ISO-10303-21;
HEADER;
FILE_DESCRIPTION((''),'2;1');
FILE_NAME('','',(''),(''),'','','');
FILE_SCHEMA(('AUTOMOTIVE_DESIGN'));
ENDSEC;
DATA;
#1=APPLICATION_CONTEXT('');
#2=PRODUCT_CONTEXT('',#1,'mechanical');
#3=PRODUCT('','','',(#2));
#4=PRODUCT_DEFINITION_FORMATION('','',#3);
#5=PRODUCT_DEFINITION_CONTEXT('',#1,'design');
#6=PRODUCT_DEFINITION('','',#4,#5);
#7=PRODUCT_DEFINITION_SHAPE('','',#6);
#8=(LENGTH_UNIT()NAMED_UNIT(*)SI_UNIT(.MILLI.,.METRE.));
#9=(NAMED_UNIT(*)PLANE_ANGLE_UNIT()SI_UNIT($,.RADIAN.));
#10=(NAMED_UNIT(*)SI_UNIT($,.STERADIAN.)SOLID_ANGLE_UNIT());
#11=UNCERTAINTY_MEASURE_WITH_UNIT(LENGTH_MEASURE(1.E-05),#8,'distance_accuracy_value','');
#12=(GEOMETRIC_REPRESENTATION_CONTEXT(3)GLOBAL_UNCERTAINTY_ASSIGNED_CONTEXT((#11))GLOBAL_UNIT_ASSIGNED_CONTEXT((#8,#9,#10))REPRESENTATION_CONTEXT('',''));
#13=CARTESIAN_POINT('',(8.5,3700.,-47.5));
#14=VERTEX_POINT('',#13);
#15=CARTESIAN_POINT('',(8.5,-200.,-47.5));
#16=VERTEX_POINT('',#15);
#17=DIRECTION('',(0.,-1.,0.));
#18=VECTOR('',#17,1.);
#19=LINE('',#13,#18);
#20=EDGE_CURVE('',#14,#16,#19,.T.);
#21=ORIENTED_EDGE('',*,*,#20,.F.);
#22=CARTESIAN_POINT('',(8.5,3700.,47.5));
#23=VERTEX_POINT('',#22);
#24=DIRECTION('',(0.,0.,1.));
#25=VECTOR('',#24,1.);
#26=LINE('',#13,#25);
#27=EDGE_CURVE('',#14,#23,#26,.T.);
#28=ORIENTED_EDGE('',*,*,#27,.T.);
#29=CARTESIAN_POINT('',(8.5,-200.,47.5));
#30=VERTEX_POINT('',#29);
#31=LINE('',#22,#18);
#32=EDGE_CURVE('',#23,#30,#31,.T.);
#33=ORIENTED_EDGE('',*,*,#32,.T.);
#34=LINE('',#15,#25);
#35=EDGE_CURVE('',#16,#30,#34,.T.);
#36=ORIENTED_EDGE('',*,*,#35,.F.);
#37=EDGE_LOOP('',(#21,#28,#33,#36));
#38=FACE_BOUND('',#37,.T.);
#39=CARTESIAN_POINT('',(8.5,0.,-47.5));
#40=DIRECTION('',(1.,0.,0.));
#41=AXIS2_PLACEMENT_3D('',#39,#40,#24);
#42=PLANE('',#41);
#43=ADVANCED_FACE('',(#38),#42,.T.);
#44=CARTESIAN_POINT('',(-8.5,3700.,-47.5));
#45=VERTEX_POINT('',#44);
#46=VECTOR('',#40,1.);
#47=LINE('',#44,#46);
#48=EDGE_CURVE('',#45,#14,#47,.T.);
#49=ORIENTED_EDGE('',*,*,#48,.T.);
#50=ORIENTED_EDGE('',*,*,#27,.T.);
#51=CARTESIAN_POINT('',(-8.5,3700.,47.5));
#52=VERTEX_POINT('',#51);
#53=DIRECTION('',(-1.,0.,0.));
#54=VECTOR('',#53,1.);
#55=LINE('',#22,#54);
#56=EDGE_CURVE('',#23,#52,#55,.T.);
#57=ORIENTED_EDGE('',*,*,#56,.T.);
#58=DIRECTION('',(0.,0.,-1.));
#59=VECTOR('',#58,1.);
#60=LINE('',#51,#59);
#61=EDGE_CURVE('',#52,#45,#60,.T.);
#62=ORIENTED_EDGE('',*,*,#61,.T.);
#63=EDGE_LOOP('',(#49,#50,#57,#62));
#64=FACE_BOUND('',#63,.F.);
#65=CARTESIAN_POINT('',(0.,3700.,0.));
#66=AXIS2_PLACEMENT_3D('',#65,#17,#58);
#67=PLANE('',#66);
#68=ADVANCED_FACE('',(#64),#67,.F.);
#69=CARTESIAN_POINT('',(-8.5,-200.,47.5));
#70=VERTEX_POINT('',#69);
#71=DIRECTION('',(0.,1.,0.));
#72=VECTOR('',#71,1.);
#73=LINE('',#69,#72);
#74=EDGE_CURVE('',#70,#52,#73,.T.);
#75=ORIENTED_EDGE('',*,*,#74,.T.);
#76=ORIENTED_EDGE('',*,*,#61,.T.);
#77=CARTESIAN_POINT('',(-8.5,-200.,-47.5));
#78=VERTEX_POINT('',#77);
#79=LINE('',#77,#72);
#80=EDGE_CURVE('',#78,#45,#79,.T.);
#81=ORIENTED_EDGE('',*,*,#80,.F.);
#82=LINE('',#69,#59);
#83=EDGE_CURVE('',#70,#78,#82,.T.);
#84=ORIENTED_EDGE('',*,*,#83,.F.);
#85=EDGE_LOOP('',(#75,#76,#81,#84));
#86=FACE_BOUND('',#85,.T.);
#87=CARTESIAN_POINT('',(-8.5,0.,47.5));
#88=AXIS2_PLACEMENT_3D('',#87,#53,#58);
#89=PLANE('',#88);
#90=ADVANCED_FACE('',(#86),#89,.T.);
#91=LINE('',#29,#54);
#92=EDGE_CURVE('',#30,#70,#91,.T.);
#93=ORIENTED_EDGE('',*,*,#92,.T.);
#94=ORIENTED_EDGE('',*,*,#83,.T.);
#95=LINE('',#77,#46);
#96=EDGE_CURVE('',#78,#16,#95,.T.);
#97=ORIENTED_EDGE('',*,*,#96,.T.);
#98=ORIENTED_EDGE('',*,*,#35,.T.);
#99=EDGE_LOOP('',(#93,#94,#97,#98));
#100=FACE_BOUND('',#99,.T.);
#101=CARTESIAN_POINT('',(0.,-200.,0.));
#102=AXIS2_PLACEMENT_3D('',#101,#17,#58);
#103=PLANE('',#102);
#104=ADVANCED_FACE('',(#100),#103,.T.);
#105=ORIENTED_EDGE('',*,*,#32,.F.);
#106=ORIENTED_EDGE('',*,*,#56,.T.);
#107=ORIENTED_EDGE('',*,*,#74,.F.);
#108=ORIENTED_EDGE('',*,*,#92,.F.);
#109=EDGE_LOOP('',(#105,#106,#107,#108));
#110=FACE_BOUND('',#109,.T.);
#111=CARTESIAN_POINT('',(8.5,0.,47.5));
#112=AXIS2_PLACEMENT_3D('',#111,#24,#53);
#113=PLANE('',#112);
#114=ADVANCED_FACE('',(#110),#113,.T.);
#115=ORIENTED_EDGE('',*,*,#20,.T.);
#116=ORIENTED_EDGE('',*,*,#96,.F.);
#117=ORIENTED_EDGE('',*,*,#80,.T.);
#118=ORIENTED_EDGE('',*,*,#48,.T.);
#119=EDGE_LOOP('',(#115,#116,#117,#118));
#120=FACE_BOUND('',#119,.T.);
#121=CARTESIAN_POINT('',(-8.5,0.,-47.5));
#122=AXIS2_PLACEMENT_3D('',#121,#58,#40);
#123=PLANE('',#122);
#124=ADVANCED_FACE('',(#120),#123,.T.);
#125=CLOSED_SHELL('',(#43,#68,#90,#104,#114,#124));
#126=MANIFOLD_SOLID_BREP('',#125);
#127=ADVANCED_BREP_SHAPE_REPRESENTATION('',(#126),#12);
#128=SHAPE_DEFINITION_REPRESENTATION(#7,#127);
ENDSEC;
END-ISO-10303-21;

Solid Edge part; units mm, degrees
sketch "Sketch1" plane through (0, 0, 0) normal (0, -1, 0) x (1, 0, 0)
  line L0 (-8.5, -47.5) -> (8.5, -47.5)
  line L1 (8.5, -47.5) -> (8.5, 47.5)
  line L2 (8.5, 47.5) -> (-8.5, 47.5)
  line L3 (-8.5, 47.5) -> (-8.5, -47.5)
extrude "Protrusion1" add sketch "Sketch1" against normal blind 3700
sketch "Sketch2" plane through (0, 0, 0) normal (0, -1, 0) x (0, 0, 1)
  line L0 (-47.5, -8.5) -> (47.5, -8.5)
  line L1 (47.5, -8.5) -> (47.5, 8.5)
  line L2 (47.5, 8.5) -> (-47.5, 8.5)
  line L3 (-47.5, 8.5) -> (-47.5, -8.5)
extrude "ExtrudedProtrusion_2" add sketch "Sketch2" along normal blind 200
